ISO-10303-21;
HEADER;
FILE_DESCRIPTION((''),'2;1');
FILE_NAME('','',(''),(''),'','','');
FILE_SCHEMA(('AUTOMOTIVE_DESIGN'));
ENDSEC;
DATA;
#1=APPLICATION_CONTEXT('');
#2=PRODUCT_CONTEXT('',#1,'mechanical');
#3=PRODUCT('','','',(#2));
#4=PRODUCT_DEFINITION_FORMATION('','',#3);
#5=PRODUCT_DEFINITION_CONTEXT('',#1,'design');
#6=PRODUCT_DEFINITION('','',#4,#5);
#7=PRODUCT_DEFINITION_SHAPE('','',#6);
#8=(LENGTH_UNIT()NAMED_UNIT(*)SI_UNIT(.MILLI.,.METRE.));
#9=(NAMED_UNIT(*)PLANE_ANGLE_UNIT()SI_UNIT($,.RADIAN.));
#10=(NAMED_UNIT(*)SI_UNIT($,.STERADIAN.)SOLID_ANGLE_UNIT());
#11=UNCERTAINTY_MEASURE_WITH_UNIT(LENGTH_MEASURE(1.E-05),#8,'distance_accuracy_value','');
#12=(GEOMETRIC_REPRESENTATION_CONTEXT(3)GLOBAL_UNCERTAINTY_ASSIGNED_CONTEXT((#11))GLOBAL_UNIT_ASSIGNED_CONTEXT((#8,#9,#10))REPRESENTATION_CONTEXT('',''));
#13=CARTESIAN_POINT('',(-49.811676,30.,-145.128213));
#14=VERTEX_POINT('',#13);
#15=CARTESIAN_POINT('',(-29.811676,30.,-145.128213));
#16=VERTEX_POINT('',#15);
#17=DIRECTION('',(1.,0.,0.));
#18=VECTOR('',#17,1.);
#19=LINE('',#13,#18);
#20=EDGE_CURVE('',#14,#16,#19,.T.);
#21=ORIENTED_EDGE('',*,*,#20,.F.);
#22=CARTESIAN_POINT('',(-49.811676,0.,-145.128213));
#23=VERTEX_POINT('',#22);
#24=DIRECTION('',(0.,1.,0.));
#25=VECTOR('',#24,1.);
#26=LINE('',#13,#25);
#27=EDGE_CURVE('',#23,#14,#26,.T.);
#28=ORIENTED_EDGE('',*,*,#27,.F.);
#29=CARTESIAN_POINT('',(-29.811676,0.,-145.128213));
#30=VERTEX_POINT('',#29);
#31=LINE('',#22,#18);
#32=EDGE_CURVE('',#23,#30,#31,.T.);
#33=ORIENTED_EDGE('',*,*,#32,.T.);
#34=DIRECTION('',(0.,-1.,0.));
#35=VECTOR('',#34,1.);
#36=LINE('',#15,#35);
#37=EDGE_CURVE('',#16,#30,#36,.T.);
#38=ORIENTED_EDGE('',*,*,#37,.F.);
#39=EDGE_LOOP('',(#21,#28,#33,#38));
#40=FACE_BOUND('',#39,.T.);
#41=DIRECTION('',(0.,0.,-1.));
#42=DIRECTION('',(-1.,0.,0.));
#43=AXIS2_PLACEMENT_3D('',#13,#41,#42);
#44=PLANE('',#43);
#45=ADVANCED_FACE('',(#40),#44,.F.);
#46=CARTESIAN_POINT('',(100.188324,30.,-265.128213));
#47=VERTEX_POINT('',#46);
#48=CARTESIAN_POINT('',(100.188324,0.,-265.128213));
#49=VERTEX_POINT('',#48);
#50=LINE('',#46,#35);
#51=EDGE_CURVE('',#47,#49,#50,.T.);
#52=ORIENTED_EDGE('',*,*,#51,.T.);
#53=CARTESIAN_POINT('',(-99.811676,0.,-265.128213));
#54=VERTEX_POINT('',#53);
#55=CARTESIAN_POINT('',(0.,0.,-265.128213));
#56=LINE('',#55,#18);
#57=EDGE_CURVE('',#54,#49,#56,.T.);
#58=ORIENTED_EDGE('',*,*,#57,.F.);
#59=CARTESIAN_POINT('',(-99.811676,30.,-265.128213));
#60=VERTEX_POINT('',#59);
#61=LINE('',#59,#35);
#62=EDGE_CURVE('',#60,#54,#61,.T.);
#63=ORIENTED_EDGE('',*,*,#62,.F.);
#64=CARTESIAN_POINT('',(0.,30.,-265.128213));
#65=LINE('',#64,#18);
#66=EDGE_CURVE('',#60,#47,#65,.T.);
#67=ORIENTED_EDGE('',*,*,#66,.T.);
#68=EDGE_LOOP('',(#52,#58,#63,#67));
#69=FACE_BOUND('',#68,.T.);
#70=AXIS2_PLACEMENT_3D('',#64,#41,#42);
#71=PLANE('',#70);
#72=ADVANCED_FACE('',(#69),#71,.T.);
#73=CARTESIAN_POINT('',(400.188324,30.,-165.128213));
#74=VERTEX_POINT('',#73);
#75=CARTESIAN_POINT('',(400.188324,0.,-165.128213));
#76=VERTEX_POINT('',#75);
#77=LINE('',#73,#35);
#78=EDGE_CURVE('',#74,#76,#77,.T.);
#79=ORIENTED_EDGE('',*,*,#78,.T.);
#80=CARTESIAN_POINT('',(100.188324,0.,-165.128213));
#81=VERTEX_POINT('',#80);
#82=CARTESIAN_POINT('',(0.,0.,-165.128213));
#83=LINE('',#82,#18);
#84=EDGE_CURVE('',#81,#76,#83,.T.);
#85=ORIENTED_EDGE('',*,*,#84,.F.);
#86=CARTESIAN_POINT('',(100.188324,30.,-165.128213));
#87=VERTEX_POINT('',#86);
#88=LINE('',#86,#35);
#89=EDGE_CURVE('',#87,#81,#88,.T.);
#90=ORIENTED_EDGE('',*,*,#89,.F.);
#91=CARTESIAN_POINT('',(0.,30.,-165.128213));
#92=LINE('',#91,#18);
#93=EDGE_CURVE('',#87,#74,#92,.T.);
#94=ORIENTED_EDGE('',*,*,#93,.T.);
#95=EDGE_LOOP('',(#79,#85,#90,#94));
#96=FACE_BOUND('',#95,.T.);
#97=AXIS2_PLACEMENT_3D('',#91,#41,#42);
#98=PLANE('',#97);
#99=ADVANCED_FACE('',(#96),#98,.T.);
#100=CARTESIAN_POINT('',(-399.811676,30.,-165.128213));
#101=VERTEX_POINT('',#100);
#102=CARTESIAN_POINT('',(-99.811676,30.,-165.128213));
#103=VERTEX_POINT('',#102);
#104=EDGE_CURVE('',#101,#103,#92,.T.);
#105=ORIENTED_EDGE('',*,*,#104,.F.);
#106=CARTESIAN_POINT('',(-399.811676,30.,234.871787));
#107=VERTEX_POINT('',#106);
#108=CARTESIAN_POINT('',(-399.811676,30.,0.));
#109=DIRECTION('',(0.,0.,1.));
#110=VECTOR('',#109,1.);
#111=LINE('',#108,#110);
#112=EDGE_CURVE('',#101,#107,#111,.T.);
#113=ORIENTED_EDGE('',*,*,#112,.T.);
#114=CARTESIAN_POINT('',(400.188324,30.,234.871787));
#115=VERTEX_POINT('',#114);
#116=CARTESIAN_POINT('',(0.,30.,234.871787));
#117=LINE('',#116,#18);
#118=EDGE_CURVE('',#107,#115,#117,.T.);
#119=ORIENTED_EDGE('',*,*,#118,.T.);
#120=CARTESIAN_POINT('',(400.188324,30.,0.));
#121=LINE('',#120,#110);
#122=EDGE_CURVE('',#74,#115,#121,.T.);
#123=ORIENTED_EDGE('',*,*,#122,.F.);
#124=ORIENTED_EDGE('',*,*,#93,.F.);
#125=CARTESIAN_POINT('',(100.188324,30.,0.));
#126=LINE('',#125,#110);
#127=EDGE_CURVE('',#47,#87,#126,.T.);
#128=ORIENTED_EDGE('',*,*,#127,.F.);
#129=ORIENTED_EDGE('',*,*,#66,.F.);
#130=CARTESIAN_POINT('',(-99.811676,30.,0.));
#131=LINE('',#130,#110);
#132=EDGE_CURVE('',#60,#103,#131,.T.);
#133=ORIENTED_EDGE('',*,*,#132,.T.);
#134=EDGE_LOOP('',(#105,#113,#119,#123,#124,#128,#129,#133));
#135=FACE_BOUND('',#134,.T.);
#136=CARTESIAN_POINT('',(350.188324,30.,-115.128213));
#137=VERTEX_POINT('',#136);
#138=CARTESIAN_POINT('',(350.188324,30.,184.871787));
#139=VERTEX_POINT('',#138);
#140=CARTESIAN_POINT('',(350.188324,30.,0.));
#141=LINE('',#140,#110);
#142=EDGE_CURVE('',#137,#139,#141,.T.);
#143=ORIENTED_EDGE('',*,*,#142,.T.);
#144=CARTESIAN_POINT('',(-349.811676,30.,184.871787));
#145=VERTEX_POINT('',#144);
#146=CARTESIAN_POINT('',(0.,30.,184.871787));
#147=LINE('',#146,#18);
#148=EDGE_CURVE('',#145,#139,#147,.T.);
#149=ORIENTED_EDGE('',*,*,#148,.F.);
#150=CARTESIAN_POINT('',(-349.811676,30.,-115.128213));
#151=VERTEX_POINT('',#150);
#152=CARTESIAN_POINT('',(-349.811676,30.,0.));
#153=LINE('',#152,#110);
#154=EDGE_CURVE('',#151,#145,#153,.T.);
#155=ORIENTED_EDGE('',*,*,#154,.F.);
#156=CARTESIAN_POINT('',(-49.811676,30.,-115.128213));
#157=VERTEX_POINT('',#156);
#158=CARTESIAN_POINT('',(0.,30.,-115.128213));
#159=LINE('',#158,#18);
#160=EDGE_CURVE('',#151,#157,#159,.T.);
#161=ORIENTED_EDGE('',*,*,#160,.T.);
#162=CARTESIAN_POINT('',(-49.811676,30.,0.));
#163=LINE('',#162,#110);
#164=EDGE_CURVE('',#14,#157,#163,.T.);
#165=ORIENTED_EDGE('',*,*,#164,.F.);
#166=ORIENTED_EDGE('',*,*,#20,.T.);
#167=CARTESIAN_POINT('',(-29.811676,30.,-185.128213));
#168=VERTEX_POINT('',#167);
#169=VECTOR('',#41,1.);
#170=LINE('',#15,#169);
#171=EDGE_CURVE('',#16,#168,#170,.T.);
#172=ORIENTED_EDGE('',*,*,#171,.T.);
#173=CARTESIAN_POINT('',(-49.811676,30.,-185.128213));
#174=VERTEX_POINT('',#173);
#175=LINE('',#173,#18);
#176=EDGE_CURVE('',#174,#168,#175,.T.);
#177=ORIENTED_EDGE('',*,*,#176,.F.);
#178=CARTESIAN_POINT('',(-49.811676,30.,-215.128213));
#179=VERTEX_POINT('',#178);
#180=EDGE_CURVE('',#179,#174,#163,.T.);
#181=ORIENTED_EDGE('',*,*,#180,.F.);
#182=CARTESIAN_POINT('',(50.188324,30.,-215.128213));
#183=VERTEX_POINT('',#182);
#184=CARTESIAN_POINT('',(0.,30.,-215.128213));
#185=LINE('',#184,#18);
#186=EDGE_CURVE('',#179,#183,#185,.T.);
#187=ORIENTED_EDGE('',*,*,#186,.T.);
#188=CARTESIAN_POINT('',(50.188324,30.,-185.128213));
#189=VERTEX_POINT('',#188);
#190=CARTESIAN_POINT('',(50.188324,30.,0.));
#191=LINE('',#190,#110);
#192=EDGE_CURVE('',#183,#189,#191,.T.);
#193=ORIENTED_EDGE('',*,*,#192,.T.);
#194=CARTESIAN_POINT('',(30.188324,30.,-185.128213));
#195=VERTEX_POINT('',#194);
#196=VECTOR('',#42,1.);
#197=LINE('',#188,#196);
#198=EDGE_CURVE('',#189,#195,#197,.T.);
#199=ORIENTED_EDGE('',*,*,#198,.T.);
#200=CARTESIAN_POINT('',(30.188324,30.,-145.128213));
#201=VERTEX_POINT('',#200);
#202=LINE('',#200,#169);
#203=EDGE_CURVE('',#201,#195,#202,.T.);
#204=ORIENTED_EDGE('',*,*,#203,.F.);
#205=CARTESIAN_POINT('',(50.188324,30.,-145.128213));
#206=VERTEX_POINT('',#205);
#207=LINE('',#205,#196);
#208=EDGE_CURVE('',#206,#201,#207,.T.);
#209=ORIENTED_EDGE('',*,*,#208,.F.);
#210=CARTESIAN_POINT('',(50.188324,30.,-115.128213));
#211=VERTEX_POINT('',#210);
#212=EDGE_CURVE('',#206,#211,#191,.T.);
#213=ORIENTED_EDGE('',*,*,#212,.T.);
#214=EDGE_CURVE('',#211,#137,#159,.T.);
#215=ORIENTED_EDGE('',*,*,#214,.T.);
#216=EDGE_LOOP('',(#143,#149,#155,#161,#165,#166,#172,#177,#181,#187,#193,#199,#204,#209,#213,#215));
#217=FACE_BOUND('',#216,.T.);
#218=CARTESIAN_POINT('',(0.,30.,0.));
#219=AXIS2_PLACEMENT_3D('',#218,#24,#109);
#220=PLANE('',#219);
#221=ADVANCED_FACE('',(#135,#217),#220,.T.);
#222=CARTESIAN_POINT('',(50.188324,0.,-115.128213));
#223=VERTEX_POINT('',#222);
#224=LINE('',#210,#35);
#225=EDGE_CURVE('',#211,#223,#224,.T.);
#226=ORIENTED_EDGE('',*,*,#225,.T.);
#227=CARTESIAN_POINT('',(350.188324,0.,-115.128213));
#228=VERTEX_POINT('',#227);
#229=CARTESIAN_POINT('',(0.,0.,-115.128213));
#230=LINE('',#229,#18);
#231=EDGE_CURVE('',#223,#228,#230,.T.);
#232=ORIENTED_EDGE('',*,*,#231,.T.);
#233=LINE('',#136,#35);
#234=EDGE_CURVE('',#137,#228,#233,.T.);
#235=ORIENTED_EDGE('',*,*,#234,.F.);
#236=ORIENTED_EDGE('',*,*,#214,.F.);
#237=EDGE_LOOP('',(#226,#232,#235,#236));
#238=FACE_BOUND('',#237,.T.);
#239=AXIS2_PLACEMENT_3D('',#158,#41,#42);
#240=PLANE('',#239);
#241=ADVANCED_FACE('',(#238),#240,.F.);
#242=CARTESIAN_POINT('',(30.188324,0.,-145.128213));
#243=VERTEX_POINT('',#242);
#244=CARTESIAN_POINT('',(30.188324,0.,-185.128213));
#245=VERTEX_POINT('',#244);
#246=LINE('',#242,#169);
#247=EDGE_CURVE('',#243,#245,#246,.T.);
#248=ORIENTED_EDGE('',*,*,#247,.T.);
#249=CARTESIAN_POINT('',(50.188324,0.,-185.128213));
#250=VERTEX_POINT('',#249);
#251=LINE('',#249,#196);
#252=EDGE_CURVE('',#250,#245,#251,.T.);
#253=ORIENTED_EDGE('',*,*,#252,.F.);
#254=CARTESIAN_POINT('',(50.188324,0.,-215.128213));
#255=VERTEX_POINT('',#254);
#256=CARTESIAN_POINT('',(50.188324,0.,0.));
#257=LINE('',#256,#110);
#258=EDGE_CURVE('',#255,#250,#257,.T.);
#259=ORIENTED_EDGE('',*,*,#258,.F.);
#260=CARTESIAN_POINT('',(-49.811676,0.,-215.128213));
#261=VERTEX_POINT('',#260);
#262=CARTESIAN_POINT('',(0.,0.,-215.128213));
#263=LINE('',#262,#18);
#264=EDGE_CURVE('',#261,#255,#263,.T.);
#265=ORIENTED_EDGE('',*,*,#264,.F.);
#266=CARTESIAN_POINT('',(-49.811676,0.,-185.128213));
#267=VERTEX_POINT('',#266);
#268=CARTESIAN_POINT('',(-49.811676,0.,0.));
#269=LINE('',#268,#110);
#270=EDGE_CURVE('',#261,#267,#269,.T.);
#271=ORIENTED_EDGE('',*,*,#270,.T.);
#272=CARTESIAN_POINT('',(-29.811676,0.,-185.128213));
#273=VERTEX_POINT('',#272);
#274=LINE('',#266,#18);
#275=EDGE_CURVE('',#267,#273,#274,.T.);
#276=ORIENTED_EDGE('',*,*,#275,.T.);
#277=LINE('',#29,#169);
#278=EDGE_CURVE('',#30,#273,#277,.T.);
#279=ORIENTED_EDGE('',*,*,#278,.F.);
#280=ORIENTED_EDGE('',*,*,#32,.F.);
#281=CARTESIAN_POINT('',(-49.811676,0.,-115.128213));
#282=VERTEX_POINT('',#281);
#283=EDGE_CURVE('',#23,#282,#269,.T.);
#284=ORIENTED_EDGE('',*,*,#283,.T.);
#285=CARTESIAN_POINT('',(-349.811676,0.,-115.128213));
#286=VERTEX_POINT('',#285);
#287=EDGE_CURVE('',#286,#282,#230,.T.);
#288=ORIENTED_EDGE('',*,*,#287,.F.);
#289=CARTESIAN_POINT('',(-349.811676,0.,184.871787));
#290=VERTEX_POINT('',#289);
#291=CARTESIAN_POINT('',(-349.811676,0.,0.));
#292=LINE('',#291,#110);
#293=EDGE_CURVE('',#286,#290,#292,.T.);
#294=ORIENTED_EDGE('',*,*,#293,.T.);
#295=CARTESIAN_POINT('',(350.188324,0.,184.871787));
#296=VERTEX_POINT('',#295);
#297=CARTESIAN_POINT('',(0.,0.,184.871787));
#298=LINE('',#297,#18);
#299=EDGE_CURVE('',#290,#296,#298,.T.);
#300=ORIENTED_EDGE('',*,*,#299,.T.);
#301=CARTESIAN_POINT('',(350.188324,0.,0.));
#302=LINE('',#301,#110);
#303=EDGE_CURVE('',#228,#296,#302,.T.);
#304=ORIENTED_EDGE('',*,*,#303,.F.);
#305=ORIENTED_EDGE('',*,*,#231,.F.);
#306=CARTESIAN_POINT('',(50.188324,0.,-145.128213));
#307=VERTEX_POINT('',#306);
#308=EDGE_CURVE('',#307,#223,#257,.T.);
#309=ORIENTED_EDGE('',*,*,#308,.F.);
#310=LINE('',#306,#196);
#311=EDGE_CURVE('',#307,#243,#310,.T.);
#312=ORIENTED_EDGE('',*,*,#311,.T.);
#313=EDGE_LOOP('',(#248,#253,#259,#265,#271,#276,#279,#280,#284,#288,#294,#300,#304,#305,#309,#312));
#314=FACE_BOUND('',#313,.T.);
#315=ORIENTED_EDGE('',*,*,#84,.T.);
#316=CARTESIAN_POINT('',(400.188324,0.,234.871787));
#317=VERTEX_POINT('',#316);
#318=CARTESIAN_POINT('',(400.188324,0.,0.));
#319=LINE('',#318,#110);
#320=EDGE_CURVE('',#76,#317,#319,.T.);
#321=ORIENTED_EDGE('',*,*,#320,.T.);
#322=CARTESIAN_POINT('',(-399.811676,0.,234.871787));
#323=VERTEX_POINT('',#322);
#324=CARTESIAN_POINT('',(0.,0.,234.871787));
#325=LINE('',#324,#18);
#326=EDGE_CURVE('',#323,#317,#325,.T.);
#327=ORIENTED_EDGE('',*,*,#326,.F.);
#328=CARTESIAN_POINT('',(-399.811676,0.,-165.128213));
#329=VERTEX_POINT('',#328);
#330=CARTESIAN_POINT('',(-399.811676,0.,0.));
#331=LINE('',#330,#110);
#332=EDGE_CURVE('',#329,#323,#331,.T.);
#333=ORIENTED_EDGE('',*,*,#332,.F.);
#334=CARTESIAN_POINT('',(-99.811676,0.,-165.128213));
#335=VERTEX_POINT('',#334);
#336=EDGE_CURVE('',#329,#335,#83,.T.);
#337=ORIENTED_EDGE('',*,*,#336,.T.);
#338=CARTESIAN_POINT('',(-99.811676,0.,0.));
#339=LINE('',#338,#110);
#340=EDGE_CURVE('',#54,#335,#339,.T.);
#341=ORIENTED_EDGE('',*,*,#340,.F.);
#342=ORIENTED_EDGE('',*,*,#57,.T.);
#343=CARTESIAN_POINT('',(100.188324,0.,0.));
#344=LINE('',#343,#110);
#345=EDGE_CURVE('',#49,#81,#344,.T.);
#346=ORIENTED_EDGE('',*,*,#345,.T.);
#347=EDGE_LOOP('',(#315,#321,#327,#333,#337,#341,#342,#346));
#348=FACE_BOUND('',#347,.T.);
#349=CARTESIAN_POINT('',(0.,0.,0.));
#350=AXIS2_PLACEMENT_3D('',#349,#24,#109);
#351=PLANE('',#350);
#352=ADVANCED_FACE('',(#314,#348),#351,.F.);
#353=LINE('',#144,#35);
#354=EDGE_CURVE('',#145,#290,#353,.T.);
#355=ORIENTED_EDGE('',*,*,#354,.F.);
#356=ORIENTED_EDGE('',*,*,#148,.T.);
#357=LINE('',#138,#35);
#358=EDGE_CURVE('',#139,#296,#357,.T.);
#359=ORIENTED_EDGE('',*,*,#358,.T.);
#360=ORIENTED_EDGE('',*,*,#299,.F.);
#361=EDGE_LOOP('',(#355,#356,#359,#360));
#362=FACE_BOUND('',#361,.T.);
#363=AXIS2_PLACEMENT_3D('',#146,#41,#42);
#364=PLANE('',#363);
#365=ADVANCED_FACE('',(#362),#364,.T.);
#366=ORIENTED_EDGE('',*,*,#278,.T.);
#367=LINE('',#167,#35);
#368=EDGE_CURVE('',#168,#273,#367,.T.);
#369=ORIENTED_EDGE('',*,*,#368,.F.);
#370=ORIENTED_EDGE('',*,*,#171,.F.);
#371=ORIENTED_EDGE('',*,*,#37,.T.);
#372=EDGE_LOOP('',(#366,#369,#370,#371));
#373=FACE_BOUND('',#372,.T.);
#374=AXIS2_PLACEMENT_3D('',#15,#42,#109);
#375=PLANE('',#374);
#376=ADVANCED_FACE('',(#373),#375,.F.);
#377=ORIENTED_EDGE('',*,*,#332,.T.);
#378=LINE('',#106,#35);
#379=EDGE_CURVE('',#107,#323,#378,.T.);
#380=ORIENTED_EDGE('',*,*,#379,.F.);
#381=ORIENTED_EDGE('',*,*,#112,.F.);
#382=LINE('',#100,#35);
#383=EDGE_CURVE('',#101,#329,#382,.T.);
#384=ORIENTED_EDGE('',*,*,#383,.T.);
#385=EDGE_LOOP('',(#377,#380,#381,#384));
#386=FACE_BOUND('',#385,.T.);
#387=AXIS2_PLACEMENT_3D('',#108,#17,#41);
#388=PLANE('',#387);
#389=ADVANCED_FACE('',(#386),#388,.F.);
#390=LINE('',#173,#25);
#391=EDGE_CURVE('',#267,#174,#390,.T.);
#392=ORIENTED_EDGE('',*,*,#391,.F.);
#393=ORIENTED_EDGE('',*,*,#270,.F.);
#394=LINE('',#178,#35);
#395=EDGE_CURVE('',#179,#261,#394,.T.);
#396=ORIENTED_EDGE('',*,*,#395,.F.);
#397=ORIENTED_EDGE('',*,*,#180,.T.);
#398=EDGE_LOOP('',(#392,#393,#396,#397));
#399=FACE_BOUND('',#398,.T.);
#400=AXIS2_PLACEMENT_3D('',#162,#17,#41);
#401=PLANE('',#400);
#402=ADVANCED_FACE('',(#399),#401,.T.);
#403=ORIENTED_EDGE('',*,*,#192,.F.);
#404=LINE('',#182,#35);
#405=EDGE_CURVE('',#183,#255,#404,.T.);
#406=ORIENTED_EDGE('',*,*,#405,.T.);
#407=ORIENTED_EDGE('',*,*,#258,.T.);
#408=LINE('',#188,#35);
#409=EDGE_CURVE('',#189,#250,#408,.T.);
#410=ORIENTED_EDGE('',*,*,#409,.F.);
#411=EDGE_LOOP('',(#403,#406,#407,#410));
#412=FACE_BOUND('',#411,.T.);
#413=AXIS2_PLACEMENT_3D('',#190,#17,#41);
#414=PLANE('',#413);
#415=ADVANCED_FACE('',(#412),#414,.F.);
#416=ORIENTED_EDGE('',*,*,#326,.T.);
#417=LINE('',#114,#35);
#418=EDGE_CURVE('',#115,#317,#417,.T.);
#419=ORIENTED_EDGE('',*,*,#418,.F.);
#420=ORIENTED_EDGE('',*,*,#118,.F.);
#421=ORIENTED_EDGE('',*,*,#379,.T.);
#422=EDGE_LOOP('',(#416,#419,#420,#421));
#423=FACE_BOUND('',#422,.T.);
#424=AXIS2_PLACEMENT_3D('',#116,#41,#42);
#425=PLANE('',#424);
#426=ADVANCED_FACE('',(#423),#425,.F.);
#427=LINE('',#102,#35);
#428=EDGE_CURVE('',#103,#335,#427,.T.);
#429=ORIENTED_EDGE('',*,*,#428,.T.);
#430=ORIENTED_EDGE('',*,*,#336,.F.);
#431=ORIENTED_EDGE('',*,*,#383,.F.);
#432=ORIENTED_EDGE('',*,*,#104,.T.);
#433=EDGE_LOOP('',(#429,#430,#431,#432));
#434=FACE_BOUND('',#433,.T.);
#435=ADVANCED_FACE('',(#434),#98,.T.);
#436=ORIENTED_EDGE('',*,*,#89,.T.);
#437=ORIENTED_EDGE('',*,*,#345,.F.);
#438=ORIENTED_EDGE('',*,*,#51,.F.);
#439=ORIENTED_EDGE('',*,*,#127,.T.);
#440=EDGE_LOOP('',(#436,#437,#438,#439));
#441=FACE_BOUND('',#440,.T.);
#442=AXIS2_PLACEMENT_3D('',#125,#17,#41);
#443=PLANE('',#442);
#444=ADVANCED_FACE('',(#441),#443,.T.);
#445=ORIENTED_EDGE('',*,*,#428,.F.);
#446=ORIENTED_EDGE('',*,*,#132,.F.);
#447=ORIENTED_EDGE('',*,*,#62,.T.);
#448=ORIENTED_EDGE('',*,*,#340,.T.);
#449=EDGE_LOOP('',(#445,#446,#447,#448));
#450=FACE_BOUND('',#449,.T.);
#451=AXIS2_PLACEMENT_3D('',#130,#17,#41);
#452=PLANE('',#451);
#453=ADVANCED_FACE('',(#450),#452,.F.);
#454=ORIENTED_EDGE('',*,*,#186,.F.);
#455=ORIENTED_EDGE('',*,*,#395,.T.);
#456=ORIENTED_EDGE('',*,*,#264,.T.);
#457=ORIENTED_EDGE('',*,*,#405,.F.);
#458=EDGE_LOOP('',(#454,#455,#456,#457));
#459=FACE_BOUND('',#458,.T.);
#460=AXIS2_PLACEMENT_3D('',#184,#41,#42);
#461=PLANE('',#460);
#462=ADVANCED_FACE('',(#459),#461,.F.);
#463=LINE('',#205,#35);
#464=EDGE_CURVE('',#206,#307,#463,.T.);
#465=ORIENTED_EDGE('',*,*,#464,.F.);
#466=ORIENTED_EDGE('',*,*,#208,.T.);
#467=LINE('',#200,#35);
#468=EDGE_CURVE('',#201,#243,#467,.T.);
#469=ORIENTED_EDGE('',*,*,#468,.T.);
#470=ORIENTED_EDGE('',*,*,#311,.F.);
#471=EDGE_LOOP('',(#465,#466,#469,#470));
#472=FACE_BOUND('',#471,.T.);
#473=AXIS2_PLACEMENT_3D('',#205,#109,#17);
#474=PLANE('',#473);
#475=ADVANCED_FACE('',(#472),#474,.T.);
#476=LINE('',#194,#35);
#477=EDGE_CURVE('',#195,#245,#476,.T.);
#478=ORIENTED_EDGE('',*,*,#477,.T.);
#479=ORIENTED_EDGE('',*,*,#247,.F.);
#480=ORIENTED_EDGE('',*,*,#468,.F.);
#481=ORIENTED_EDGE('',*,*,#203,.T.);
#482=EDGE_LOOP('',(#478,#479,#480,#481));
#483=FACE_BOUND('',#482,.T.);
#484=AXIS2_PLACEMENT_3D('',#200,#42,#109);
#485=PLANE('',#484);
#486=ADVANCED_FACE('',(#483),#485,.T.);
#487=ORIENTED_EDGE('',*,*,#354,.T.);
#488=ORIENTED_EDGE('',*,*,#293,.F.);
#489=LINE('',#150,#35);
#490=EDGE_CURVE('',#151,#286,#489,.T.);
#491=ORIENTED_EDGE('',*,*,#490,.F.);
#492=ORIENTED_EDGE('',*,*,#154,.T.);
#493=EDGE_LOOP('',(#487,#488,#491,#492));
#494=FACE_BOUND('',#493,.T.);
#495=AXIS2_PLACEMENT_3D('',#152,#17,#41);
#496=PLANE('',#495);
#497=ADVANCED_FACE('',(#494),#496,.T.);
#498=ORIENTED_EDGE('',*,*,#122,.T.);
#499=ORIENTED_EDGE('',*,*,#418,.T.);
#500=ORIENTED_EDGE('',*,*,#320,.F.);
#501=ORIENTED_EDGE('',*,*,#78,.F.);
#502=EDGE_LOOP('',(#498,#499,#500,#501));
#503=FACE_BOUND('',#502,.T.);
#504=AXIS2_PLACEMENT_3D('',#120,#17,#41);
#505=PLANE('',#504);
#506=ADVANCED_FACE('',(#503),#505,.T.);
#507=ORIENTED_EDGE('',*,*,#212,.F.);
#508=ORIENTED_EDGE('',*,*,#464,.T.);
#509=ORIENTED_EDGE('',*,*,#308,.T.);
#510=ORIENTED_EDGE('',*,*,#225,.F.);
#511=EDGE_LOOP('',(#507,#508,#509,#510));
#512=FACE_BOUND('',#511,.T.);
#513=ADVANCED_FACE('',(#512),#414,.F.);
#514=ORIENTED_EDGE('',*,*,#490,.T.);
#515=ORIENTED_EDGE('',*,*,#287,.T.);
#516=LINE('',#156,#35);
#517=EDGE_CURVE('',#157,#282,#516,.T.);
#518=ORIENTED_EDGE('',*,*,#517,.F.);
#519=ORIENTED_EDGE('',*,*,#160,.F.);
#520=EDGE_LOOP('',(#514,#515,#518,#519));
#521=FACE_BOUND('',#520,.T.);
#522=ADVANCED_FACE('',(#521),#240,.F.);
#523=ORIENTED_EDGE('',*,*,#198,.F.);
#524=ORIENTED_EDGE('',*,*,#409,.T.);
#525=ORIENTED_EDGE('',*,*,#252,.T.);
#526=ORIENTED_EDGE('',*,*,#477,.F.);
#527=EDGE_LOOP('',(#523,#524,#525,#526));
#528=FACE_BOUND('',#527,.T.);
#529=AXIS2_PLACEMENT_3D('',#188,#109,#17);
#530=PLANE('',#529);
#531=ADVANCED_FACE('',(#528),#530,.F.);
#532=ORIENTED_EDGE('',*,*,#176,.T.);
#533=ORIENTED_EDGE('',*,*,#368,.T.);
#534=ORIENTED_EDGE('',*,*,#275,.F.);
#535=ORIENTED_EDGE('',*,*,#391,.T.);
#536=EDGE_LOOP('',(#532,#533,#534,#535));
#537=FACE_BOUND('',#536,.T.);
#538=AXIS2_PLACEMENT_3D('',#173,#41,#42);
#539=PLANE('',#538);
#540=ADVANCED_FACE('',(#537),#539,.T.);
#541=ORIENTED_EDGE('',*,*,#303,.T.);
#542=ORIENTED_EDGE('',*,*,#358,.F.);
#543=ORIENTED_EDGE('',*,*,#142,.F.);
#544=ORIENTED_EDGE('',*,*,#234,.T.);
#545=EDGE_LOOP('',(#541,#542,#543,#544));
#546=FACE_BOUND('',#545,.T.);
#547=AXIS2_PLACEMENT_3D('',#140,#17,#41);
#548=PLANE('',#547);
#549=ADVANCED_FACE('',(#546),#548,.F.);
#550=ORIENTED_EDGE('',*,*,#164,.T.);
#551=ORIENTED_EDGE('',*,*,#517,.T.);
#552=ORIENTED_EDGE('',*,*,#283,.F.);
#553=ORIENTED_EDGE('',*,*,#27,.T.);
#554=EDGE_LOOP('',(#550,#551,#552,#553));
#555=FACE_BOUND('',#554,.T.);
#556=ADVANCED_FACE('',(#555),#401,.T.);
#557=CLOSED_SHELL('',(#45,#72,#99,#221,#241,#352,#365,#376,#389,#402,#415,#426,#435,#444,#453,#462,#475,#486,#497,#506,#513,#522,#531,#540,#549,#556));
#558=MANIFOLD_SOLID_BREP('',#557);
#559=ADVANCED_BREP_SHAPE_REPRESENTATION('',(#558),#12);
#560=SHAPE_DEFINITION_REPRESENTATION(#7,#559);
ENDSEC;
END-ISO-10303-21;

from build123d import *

# Parameters (mm, degrees)
SKETCH1_W           = 20
SKETCH1_H           = 40
BOSS_EXTRUDE1_DEPTH = 30


with BuildPart() as part:
    # Sketch1 → Boss-Extrude1 (new body)
    with BuildSketch(Plane(origin=(0, 0, 0), x_dir=(1, 0, 0), z_dir=(0, 1, 0))):
        Polygon((-99.811676083, 165.128212813), (-399.811676083, 165.128212813), (-399.811676083, -234.871787187), (400.188323917, -234.871787187), (400.188323917, 165.128212813), (100.188323917, 165.128212813), (50.188323917, 165.128212813), (50.188323917, 145.128212813), (50.188323917, 115.128212813), (350.188323917, 115.128212813), (350.188323917, -184.871787187), (-349.811676083, -184.871787187), (-349.811676083, 115.128212813), (-49.811676083, 115.128212813), (-49.811676083, 145.128212813), (-49.811676083, 165.128212813), align=None)
        Polygon((-99.811676083, 265.128212813), (-99.811676083, 165.128212813), (-49.811676083, 165.128212813), (-49.811676083, 185.128212813), (-49.811676083, 215.128212813), (50.188323917, 215.128212813), (50.188323917, 185.128212813), (50.188323917, 165.128212813), (100.188323917, 165.128212813), (100.188323917, 265.128212813), align=None)
        with Locations((-39.811676083, 165.128212813)):
            Rectangle(SKETCH1_W, SKETCH1_H)
        with Locations((40.188323917, 165.128212813)):
            Rectangle(SKETCH1_W, SKETCH1_H)
    extrude(amount=BOSS_EXTRUDE1_DEPTH)


solid = part.part
